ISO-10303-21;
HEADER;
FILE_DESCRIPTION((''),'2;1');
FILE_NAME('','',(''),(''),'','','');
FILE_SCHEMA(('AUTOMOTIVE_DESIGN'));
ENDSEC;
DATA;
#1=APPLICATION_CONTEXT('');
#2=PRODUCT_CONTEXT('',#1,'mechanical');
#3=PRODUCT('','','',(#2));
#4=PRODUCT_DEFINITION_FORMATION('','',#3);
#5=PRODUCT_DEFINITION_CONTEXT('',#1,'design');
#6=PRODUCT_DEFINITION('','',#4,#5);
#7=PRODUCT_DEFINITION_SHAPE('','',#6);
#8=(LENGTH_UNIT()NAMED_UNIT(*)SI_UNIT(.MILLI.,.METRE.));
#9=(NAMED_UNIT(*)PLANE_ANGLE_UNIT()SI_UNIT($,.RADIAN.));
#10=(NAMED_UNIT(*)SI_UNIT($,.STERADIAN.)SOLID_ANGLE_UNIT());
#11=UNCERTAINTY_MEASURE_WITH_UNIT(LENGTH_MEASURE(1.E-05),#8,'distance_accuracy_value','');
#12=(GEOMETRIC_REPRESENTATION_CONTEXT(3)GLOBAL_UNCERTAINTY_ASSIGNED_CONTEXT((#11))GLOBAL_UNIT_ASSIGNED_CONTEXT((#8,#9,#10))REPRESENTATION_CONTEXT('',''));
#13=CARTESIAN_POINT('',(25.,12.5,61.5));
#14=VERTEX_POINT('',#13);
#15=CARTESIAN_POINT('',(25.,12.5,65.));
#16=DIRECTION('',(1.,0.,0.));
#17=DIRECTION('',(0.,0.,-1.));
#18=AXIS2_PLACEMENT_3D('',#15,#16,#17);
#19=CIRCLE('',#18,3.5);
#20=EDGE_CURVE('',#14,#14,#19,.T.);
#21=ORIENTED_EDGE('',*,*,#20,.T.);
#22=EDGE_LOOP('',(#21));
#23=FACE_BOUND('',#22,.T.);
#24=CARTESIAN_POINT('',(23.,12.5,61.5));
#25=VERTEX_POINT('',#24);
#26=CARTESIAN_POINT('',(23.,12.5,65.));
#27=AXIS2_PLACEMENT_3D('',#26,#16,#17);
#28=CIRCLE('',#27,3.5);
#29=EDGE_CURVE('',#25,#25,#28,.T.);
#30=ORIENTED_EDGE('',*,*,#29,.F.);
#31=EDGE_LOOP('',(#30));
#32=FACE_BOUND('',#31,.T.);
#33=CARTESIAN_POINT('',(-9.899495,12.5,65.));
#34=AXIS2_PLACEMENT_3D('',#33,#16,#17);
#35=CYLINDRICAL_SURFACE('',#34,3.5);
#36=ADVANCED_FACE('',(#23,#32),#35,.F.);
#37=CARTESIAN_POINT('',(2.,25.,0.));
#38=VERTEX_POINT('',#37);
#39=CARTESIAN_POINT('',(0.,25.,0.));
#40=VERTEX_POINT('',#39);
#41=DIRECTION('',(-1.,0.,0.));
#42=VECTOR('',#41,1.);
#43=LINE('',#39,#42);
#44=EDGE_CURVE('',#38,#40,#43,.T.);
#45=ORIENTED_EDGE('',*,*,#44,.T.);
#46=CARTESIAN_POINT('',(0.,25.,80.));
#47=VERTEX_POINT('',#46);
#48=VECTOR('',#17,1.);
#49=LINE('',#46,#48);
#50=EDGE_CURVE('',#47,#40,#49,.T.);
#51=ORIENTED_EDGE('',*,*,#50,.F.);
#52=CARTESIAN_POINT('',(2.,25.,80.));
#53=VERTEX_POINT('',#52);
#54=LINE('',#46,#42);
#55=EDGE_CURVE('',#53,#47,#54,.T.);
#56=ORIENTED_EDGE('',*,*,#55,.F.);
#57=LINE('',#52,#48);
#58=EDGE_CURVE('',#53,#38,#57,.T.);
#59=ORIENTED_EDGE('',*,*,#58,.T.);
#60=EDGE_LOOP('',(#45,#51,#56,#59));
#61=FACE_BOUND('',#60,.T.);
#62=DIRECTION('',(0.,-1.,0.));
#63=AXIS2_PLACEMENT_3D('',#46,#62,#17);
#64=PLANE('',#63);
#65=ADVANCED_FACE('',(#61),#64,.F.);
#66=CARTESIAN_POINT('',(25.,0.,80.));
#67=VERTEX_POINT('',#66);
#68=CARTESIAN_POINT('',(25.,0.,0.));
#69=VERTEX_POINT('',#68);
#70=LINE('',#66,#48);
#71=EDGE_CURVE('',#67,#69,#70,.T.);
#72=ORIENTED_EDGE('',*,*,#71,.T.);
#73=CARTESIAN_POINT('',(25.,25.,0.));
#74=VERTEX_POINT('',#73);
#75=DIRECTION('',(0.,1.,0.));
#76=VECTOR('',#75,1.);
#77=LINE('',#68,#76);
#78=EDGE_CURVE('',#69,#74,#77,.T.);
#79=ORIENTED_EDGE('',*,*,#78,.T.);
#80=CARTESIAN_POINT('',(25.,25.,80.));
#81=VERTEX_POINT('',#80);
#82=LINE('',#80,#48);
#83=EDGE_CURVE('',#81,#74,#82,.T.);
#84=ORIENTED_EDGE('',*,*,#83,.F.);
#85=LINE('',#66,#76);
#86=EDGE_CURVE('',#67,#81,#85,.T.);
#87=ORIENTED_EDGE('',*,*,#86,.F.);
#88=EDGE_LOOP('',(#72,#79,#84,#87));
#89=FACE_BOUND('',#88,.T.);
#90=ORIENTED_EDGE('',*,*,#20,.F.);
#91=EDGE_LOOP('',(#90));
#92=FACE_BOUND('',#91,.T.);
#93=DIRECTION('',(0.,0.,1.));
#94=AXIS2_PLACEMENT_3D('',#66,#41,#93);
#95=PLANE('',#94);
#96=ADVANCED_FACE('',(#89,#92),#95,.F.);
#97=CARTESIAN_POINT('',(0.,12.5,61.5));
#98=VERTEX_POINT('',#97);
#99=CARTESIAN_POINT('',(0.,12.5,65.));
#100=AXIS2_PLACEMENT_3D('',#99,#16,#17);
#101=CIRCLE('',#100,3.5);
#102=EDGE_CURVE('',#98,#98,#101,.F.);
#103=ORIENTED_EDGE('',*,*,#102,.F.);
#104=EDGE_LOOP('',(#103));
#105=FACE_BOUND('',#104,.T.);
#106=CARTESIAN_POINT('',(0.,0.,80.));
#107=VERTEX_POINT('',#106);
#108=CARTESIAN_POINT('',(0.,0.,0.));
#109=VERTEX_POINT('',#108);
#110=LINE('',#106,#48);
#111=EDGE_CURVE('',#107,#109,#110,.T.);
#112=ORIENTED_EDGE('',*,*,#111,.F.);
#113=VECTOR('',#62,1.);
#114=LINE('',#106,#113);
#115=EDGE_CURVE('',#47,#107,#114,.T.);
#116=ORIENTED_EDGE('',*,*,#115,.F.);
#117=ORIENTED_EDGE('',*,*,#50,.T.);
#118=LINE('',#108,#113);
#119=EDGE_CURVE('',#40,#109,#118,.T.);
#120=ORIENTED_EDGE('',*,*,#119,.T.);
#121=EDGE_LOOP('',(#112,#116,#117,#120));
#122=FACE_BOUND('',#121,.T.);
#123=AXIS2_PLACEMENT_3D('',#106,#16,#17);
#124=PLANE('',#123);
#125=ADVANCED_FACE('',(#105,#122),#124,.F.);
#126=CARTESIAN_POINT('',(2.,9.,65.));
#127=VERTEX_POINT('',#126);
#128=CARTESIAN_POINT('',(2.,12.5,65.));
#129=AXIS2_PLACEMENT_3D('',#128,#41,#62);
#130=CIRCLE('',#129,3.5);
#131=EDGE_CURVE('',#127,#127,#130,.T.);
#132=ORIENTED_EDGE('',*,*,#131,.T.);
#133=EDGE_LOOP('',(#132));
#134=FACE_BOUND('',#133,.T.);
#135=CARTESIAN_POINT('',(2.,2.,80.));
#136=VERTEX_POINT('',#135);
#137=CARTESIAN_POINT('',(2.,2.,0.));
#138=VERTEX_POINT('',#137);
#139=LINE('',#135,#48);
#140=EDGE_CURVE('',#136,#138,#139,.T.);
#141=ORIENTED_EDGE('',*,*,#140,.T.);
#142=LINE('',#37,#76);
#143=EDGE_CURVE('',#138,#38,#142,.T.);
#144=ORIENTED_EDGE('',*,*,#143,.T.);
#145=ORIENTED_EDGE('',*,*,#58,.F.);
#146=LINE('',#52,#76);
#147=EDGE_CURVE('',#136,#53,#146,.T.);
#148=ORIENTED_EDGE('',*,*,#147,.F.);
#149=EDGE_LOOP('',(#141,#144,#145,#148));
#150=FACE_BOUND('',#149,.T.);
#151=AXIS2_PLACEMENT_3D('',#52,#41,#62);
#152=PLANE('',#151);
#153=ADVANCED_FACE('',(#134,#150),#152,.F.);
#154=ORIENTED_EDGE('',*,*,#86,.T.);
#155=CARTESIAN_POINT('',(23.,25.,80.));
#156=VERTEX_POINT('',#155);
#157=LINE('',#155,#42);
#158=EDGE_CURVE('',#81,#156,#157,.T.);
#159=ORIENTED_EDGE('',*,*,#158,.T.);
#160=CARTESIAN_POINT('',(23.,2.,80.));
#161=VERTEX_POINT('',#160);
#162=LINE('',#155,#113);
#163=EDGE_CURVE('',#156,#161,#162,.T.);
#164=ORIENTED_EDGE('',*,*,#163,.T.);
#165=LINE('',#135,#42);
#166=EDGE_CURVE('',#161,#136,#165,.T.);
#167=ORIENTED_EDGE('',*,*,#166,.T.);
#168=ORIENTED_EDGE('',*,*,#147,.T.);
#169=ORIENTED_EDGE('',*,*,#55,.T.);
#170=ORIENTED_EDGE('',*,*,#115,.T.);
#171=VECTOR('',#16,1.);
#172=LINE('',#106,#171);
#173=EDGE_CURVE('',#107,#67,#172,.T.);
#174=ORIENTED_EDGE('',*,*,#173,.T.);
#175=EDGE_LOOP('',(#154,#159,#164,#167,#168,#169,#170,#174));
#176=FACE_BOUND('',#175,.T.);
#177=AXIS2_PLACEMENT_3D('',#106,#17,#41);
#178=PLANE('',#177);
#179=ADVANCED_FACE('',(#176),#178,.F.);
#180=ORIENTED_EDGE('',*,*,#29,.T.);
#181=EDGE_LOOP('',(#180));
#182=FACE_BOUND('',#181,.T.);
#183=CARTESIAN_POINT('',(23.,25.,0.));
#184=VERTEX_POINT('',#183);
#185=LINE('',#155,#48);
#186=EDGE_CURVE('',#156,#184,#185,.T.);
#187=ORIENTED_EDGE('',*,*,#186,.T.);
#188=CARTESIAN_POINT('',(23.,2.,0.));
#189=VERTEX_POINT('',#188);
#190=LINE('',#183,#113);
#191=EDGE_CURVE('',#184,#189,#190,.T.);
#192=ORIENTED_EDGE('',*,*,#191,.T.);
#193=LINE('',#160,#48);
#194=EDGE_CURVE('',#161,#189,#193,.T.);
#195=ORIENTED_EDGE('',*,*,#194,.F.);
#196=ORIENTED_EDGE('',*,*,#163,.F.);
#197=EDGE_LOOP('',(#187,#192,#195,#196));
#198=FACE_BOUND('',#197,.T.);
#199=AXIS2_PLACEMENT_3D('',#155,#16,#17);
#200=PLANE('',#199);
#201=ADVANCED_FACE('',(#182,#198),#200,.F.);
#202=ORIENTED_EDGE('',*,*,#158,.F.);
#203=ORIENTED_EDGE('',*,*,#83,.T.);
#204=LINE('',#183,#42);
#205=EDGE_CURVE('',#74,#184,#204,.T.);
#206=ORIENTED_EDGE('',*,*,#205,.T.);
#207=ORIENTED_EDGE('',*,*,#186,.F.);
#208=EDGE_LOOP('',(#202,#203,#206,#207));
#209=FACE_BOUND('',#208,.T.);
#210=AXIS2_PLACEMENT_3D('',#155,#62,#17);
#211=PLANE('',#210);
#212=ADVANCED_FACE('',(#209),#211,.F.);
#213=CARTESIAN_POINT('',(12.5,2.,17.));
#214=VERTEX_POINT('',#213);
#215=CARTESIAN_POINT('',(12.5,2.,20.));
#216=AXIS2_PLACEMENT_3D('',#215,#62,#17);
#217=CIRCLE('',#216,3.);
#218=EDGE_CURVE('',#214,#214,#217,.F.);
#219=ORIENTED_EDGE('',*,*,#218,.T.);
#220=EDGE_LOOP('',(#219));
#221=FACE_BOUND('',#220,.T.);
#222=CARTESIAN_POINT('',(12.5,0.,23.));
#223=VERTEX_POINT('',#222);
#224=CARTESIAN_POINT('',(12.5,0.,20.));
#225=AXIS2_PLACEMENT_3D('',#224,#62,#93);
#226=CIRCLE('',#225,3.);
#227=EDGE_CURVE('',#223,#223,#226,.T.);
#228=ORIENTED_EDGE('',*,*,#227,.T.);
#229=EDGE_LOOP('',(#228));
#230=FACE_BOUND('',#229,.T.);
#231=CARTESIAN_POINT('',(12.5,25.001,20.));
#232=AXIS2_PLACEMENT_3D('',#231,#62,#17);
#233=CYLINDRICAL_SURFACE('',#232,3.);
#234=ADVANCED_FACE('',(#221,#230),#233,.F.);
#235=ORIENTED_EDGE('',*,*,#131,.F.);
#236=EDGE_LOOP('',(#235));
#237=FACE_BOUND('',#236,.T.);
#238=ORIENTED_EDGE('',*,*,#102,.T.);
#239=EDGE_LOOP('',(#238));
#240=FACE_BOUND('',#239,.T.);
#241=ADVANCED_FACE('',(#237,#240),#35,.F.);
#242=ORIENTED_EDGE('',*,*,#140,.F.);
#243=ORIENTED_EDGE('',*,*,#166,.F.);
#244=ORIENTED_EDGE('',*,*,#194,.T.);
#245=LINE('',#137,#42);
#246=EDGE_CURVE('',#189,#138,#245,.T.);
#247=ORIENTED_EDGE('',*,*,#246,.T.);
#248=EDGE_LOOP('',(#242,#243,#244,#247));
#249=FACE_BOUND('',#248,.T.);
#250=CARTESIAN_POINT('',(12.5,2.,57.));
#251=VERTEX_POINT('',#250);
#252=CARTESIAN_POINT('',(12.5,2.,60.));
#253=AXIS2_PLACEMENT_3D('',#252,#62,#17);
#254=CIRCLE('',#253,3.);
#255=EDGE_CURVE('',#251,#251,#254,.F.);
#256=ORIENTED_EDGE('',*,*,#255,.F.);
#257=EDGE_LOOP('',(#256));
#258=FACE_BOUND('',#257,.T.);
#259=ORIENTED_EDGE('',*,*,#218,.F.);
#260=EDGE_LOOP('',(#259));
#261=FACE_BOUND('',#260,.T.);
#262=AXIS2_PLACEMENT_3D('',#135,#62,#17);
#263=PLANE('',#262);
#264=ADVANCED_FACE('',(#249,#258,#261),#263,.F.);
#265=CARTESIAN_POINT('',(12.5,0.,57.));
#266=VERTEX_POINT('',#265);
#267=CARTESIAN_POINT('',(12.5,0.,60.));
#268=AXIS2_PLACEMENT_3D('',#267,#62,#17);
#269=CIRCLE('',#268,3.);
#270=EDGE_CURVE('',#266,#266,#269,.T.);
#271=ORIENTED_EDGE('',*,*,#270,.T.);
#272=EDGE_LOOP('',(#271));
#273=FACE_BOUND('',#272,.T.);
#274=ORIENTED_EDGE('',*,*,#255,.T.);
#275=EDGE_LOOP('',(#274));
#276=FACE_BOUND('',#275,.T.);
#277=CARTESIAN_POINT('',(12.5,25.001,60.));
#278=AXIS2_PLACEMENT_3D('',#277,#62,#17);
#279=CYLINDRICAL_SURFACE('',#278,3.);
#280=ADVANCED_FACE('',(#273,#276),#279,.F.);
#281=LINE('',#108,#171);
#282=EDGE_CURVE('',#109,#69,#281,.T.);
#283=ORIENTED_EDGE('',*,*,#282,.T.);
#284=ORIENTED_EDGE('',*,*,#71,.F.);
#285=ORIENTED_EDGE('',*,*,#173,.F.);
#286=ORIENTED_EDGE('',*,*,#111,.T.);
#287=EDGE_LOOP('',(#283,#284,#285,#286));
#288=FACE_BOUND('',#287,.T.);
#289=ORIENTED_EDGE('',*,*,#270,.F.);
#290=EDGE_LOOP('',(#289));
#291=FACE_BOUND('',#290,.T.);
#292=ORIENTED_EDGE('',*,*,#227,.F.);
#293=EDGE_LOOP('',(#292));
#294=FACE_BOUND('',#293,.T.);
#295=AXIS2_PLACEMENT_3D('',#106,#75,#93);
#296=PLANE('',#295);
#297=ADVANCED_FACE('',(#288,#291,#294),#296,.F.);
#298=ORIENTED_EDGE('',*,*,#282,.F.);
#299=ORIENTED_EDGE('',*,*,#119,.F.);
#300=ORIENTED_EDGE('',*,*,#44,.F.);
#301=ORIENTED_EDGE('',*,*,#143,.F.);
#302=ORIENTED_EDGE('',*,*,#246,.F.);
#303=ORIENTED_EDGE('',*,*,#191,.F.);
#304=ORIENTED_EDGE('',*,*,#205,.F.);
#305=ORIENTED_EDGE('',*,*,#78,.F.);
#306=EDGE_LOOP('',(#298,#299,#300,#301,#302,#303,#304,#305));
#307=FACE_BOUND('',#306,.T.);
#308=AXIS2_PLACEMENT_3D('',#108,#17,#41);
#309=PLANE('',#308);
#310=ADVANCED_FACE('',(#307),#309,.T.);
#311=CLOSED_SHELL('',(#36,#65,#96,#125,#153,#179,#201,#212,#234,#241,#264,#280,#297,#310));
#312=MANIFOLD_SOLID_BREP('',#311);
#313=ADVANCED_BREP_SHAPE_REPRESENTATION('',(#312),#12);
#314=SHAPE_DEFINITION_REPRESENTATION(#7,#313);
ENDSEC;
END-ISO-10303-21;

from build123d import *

# Parameters (mm, degrees)
BOSS_EXTRUDE1_DEPTH = 80
SKETCH3_R           = 3.5
CUT_EXTRUDE1_DEPTH  = 25
CUT_EXTRUDE2_REACH  = 27
SKETCH4_R           = 3


with BuildPart() as part:
    # Sketch2 → Boss-Extrude1 (new body)
    with BuildSketch(Plane.XY):
        Polygon((23, 25), (25, 25), (25, 0), (0, 0), (0, 25), (2, 25), (2, 2), (23, 2), align=None)
    extrude(amount=BOSS_EXTRUDE1_DEPTH)

    # Sketch3 → Cut-Extrude1 (cut)
    with BuildSketch(Plane(origin=(25, 0, 0), x_dir=(0, 0, -1), z_dir=(1, 0, 0))):
        with Locations((-65, 12.5)):
            Circle(SKETCH3_R)
    extrude(amount=-CUT_EXTRUDE1_DEPTH, mode=Mode.SUBTRACT)

    # Sketch4 → Cut-Extrude2 (cut, up to next)
    with BuildSketch(Plane.XZ, mode=Mode.PRIVATE) as cut_extrude2_sk1:
        with Locations((12.5, 60)):
            Circle(SKETCH4_R)
    cut_extrude2_tool1 = extrude(cut_extrude2_sk1.sketch, amount=-CUT_EXTRUDE2_REACH, mode=Mode.PRIVATE) & part.part
    add(cut_extrude2_tool1.solids().sort_by_distance((12.5, 0, 60))[0], mode=Mode.SUBTRACT)
    # Sketch4 → Cut-Extrude2 (cut, up to next)
    with BuildSketch(Plane.XZ, mode=Mode.PRIVATE) as cut_extrude2_sk2:
        with Locations((12.5, 20)):
            Circle(SKETCH4_R)
    cut_extrude2_tool2 = extrude(cut_extrude2_sk2.sketch, amount=-CUT_EXTRUDE2_REACH, mode=Mode.PRIVATE) & part.part
    add(cut_extrude2_tool2.solids().sort_by_distance((12.5, 0, 20))[0], mode=Mode.SUBTRACT)


solid = part.part
